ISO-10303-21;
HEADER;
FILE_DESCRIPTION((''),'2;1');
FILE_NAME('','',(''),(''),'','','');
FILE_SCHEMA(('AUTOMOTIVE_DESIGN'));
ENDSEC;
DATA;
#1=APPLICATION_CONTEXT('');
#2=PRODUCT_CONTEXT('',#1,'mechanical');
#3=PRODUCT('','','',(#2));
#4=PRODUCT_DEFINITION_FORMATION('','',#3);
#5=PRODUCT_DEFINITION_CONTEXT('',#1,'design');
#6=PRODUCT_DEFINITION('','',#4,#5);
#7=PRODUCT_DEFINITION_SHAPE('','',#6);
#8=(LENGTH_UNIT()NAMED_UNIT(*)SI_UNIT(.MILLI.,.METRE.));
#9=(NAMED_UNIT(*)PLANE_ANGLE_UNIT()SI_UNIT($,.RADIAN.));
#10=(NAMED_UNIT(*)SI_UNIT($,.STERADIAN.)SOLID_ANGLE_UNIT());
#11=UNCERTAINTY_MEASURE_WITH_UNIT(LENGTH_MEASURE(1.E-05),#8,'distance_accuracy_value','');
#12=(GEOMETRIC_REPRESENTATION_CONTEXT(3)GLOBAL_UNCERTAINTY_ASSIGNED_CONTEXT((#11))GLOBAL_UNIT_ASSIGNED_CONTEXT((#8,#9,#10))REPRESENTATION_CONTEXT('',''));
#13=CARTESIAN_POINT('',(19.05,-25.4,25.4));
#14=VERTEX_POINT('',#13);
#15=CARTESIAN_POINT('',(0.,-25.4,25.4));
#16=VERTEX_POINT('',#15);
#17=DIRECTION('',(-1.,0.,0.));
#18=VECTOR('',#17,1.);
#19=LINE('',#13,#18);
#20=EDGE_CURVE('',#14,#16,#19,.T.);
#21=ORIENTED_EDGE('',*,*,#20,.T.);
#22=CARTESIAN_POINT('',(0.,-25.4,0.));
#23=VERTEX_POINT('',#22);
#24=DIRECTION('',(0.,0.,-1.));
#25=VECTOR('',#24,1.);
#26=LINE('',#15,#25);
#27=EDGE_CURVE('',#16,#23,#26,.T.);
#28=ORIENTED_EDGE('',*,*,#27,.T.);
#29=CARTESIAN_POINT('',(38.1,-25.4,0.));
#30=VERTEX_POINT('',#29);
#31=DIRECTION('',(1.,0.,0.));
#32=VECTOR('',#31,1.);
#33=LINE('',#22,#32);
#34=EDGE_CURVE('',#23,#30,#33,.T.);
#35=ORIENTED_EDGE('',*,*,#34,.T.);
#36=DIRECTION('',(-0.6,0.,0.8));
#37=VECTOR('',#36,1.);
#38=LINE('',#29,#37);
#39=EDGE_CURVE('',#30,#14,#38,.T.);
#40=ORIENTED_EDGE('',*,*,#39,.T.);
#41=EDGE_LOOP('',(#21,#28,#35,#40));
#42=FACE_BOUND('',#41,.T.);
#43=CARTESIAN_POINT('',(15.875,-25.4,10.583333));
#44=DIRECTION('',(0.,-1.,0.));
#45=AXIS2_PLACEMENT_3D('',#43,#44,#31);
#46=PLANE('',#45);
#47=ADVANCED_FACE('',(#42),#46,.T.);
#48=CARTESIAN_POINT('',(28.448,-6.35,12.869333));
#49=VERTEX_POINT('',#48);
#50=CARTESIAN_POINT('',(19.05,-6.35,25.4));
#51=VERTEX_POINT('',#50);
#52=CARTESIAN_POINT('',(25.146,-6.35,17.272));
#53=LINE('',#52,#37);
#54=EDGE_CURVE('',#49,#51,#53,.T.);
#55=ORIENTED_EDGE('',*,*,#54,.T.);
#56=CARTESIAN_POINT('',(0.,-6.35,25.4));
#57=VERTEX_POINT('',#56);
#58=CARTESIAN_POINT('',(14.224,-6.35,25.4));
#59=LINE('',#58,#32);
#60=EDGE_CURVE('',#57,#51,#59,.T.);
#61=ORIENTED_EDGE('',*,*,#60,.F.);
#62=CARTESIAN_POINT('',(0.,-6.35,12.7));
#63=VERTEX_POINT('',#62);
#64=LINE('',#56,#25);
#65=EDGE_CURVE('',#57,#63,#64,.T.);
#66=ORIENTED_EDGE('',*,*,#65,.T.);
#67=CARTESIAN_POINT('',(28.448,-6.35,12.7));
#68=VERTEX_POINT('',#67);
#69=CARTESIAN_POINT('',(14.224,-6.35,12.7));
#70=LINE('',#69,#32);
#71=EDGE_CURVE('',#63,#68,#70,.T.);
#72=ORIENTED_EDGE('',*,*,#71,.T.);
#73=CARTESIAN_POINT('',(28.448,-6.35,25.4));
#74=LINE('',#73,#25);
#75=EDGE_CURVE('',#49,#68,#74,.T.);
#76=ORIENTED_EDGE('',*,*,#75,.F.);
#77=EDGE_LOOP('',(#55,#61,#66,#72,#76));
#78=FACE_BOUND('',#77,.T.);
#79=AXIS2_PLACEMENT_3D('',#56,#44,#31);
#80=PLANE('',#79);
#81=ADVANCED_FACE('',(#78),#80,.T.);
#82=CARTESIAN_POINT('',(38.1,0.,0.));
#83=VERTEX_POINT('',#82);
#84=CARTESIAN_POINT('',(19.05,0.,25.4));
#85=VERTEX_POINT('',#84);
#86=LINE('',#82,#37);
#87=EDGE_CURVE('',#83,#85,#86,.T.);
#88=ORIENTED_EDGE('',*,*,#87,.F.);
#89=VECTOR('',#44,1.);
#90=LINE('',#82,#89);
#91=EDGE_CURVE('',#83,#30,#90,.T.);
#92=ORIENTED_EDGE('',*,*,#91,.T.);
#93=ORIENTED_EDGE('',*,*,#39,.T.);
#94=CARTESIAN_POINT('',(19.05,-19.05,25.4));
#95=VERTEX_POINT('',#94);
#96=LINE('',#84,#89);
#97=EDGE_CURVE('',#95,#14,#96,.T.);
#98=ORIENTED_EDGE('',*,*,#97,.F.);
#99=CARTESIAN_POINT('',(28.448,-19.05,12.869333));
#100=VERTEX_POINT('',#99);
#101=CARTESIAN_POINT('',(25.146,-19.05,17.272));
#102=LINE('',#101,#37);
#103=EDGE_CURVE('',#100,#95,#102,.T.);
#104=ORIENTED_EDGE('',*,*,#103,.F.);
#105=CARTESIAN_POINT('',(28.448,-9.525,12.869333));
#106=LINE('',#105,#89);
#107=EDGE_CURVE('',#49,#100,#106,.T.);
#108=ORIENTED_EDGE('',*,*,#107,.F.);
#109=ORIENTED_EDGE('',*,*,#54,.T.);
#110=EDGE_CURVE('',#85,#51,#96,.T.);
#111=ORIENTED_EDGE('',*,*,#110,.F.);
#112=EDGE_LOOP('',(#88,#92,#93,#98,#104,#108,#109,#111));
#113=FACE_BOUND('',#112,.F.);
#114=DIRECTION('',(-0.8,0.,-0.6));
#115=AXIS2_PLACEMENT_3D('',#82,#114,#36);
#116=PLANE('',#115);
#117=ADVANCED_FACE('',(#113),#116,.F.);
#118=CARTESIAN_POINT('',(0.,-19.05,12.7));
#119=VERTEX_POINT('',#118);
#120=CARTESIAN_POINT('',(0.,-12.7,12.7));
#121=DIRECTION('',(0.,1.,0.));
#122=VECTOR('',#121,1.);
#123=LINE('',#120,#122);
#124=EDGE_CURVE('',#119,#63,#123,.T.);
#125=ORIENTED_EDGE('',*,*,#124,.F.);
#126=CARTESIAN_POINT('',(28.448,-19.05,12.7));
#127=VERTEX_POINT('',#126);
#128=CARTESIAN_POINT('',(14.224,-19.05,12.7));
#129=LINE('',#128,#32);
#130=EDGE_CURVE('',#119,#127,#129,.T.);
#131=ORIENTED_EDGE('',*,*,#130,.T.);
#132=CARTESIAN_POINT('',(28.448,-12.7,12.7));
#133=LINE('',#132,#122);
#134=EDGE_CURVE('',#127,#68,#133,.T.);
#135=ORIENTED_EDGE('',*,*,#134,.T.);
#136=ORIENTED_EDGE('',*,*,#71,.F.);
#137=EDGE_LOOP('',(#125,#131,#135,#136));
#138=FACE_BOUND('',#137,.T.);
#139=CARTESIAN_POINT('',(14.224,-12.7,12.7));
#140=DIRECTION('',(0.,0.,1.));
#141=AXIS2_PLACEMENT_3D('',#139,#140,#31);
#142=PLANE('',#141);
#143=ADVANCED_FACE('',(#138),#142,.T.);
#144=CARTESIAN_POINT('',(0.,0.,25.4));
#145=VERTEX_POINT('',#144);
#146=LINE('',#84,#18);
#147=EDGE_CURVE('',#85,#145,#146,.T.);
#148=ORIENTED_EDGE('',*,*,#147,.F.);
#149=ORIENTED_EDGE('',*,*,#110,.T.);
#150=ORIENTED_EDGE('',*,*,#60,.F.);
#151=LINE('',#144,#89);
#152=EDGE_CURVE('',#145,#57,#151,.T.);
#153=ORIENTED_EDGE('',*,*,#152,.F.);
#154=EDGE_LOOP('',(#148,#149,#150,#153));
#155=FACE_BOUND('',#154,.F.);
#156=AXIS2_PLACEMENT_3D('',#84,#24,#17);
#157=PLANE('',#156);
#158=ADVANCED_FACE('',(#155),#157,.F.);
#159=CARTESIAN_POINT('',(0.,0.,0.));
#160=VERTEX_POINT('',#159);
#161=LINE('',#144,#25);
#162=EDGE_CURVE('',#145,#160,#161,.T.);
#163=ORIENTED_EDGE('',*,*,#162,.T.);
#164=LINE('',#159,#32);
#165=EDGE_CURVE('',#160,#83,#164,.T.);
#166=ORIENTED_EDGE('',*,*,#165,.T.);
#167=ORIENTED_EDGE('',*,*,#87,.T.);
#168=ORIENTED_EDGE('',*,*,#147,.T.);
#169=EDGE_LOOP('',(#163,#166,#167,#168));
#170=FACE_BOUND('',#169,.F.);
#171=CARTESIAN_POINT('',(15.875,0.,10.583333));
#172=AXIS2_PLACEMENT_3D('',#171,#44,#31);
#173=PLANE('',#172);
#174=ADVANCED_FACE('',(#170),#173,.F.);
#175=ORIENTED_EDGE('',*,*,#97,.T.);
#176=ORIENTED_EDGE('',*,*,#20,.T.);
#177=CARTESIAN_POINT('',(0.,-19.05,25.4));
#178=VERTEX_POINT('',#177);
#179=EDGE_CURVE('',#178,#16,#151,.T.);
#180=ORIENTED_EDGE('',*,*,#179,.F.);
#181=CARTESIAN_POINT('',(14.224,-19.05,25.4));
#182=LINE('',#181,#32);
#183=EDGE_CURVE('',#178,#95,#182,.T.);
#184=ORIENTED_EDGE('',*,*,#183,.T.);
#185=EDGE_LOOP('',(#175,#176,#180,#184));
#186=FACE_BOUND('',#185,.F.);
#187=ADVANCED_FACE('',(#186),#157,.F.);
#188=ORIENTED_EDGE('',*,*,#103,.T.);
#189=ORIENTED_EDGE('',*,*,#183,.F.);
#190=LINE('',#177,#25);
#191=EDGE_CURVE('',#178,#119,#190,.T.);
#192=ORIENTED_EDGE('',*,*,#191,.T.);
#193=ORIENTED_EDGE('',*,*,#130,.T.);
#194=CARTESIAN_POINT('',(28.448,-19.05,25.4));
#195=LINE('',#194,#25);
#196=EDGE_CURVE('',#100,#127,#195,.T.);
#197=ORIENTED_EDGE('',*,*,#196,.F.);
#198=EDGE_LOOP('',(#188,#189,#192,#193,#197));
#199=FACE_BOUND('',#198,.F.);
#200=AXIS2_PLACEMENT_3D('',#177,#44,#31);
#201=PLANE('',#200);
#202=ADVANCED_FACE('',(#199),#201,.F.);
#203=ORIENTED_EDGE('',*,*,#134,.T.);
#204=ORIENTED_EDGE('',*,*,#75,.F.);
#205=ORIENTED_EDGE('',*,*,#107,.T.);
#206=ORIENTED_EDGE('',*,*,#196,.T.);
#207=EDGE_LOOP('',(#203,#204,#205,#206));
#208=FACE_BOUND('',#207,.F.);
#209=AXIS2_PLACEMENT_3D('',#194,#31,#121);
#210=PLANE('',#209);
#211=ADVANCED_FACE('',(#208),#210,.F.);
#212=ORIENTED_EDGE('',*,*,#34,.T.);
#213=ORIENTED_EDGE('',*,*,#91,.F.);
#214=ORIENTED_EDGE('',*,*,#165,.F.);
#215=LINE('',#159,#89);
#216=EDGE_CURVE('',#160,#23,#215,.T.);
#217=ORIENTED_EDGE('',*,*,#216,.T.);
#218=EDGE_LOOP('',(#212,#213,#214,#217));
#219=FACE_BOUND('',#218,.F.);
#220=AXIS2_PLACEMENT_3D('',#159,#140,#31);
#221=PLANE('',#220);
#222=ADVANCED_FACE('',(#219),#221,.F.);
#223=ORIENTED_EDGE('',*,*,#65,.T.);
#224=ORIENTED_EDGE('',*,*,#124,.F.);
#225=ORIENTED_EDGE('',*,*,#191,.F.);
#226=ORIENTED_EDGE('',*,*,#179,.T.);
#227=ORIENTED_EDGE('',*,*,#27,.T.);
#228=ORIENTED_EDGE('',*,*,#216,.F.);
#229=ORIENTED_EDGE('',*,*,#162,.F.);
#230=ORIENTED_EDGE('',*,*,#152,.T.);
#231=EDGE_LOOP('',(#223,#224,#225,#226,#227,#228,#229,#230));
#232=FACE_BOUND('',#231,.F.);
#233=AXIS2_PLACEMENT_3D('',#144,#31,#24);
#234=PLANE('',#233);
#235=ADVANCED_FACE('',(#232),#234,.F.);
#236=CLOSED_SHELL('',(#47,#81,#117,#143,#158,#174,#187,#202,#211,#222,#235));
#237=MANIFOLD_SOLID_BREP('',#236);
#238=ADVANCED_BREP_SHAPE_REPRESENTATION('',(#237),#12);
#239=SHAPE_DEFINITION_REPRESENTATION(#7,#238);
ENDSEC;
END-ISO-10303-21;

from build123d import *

# Parameters (mm, degrees)
F1_DEPTH = 25.4
F2_W     = 28.448
F2_H     = 12.7
F3_DEPTH = 12.7


with BuildPart() as f1:
    # F0 (on Front) → F1 (new body)
    with BuildSketch(Plane.XZ):
        Polygon((0, 25.4), (0, 0), (38.1, 0), (19.05, 25.4), align=None)
    extrude(amount=F1_DEPTH)

    # F2 (on face) → F3 (cut)
    with BuildSketch(Plane.XY.offset(25.4)):
        with Locations((14.224, -12.7)):
            Rectangle(F2_W, F2_H)
    extrude(amount=-F3_DEPTH, mode=Mode.SUBTRACT)


solid = f1.part
